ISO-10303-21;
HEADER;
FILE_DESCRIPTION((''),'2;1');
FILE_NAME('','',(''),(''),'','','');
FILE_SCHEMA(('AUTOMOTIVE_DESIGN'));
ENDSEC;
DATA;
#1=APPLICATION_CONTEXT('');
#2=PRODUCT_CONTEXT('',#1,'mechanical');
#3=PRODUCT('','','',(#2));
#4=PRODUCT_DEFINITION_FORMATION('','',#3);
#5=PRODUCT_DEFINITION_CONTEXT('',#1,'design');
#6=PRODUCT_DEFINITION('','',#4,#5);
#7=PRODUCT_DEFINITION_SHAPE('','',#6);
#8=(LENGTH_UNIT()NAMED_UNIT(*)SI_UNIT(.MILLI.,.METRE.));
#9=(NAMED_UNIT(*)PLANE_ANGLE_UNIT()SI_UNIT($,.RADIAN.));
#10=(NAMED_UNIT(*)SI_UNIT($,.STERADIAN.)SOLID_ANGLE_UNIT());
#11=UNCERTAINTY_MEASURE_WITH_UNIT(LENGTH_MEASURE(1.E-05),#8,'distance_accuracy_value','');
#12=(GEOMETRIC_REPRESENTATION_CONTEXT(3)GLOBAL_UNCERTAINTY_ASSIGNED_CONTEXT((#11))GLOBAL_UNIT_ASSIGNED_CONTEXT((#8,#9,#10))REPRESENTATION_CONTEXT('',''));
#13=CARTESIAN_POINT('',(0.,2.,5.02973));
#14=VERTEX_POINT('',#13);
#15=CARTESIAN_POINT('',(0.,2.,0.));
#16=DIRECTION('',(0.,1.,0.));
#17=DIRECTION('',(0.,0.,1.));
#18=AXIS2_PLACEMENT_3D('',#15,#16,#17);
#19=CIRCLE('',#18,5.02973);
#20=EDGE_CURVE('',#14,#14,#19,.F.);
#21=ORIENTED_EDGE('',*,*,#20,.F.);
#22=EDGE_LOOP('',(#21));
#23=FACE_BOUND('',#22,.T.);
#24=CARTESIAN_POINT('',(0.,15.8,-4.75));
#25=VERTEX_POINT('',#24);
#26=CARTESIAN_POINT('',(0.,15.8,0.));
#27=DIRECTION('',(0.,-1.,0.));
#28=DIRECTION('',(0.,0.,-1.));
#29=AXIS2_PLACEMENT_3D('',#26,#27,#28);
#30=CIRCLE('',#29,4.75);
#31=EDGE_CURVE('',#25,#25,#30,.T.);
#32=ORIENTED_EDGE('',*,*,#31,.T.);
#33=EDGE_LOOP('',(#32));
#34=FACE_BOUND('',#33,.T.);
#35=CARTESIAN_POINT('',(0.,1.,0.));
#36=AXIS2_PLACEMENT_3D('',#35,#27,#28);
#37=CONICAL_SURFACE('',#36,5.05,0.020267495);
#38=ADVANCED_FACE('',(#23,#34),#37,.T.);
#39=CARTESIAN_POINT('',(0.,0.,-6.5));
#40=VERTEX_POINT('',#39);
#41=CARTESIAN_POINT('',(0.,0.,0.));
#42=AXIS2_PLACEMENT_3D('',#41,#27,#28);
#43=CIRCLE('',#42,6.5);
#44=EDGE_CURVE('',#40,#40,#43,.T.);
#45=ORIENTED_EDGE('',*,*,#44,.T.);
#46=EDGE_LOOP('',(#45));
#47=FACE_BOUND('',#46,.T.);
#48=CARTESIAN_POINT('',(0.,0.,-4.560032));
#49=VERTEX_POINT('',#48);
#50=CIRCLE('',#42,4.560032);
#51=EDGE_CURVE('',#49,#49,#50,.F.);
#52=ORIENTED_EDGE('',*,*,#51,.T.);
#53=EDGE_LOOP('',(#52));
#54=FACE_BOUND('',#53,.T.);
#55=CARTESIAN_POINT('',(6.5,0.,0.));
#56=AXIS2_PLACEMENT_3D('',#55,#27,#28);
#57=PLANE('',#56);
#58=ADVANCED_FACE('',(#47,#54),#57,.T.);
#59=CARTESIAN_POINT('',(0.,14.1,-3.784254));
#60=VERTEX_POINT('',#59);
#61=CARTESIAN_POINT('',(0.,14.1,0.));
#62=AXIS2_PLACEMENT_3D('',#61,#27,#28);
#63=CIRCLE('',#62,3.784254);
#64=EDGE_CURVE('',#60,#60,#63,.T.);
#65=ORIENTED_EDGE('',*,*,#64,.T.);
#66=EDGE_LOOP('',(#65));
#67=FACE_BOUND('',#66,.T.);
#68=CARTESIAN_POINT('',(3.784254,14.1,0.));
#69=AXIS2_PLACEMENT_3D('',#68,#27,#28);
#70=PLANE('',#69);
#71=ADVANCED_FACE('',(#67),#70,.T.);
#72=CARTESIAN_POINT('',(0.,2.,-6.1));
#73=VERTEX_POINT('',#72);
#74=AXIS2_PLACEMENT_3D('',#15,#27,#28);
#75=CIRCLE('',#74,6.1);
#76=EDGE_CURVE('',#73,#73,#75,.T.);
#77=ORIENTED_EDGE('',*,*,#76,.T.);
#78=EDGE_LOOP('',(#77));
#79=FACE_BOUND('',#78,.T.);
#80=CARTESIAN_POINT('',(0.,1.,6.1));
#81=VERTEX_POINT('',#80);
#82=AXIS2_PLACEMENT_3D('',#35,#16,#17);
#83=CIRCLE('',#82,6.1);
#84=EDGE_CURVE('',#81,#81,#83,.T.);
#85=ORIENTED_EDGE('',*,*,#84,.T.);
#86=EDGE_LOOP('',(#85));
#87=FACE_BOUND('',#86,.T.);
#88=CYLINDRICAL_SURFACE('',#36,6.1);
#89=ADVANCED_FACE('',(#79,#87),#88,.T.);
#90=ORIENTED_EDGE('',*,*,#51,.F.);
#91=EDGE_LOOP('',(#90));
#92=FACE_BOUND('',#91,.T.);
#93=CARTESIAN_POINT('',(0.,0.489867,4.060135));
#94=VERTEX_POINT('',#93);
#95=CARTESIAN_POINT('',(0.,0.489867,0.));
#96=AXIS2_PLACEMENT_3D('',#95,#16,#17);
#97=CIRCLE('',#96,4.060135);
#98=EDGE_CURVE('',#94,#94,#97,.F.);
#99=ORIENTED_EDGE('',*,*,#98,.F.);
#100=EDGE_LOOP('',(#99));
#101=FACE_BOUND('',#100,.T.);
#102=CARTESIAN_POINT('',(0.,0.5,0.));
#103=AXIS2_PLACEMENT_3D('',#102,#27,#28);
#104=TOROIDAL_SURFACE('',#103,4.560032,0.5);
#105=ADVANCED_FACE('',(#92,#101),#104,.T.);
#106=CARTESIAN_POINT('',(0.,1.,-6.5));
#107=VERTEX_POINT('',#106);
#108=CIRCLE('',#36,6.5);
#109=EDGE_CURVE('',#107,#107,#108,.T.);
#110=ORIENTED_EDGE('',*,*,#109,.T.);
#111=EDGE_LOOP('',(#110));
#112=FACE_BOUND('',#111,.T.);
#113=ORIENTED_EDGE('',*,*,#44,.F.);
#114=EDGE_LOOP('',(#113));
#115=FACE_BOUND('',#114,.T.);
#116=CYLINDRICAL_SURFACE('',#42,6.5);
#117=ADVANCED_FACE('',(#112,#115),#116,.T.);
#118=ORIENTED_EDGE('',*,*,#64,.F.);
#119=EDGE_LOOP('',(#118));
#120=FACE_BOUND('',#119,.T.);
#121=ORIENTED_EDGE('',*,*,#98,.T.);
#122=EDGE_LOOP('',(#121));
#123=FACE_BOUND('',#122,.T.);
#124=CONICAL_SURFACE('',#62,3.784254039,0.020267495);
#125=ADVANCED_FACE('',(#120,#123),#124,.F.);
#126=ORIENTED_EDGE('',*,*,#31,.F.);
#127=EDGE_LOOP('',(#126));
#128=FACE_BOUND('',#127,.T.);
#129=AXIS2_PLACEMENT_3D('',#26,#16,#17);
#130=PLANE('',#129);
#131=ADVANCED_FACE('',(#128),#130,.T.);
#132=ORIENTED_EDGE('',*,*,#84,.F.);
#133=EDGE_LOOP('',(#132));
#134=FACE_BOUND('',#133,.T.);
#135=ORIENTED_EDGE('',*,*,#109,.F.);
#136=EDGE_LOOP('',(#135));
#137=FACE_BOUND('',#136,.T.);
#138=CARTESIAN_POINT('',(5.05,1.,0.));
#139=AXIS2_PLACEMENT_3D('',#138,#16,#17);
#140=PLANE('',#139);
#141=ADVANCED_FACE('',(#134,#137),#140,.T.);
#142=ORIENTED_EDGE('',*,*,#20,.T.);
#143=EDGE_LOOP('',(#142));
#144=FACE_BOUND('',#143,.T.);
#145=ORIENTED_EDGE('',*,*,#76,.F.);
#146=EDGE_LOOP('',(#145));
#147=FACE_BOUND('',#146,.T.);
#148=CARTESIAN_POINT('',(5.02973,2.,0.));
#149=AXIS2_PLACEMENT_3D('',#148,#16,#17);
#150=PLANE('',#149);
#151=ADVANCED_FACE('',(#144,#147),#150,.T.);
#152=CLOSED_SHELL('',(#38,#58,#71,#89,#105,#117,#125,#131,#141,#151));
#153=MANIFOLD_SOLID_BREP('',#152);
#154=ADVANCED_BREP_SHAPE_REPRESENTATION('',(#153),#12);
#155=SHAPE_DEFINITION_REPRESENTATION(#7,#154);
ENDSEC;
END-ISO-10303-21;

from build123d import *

# Parameters (mm, degrees)
INSIDEBOREF_R = 0.5


with BuildPart() as part:
    # MainBodyS → MainBody (revolve)
    with BuildSketch(Plane.XY, mode=Mode.PRIVATE) as mainbody_sk:
        Polygon((0, 15.8), (4.75, 15.8), (5.05, 1), (6.5, 1), (6.5, 0), (4.070064849, 0), (3.784254039, 14.1), (0, 14.1), align=None)
    revolve(mainbody_sk.sketch.rotate(Axis((0, 0, 0), (0, 1, 0)), 90), axis=Axis((0, 0, 0), (0, 1, 0)))

    # InsertBodyS → InsertBody (revolve)
    with BuildSketch(Plane.XY, mode=Mode.PRIVATE) as insertbody_sk:
        Polygon((5.02972973, 2), (6.1, 2), (6.1, 1), (5.05, 1), align=None)
    revolve(insertbody_sk.sketch.rotate(Axis((0, 1, 0), (0, -1, 0)), 270), axis=Axis((0, 1, 0), (0, -1, 0)))

    # InsideBoreF
    insideboref_edges = [part.edges().sort_by_distance(p)[0] for p in [
        (0, 0, 4.070064849),
    ]]
    fillet(insideboref_edges, radius=INSIDEBOREF_R)


solid = part.part
